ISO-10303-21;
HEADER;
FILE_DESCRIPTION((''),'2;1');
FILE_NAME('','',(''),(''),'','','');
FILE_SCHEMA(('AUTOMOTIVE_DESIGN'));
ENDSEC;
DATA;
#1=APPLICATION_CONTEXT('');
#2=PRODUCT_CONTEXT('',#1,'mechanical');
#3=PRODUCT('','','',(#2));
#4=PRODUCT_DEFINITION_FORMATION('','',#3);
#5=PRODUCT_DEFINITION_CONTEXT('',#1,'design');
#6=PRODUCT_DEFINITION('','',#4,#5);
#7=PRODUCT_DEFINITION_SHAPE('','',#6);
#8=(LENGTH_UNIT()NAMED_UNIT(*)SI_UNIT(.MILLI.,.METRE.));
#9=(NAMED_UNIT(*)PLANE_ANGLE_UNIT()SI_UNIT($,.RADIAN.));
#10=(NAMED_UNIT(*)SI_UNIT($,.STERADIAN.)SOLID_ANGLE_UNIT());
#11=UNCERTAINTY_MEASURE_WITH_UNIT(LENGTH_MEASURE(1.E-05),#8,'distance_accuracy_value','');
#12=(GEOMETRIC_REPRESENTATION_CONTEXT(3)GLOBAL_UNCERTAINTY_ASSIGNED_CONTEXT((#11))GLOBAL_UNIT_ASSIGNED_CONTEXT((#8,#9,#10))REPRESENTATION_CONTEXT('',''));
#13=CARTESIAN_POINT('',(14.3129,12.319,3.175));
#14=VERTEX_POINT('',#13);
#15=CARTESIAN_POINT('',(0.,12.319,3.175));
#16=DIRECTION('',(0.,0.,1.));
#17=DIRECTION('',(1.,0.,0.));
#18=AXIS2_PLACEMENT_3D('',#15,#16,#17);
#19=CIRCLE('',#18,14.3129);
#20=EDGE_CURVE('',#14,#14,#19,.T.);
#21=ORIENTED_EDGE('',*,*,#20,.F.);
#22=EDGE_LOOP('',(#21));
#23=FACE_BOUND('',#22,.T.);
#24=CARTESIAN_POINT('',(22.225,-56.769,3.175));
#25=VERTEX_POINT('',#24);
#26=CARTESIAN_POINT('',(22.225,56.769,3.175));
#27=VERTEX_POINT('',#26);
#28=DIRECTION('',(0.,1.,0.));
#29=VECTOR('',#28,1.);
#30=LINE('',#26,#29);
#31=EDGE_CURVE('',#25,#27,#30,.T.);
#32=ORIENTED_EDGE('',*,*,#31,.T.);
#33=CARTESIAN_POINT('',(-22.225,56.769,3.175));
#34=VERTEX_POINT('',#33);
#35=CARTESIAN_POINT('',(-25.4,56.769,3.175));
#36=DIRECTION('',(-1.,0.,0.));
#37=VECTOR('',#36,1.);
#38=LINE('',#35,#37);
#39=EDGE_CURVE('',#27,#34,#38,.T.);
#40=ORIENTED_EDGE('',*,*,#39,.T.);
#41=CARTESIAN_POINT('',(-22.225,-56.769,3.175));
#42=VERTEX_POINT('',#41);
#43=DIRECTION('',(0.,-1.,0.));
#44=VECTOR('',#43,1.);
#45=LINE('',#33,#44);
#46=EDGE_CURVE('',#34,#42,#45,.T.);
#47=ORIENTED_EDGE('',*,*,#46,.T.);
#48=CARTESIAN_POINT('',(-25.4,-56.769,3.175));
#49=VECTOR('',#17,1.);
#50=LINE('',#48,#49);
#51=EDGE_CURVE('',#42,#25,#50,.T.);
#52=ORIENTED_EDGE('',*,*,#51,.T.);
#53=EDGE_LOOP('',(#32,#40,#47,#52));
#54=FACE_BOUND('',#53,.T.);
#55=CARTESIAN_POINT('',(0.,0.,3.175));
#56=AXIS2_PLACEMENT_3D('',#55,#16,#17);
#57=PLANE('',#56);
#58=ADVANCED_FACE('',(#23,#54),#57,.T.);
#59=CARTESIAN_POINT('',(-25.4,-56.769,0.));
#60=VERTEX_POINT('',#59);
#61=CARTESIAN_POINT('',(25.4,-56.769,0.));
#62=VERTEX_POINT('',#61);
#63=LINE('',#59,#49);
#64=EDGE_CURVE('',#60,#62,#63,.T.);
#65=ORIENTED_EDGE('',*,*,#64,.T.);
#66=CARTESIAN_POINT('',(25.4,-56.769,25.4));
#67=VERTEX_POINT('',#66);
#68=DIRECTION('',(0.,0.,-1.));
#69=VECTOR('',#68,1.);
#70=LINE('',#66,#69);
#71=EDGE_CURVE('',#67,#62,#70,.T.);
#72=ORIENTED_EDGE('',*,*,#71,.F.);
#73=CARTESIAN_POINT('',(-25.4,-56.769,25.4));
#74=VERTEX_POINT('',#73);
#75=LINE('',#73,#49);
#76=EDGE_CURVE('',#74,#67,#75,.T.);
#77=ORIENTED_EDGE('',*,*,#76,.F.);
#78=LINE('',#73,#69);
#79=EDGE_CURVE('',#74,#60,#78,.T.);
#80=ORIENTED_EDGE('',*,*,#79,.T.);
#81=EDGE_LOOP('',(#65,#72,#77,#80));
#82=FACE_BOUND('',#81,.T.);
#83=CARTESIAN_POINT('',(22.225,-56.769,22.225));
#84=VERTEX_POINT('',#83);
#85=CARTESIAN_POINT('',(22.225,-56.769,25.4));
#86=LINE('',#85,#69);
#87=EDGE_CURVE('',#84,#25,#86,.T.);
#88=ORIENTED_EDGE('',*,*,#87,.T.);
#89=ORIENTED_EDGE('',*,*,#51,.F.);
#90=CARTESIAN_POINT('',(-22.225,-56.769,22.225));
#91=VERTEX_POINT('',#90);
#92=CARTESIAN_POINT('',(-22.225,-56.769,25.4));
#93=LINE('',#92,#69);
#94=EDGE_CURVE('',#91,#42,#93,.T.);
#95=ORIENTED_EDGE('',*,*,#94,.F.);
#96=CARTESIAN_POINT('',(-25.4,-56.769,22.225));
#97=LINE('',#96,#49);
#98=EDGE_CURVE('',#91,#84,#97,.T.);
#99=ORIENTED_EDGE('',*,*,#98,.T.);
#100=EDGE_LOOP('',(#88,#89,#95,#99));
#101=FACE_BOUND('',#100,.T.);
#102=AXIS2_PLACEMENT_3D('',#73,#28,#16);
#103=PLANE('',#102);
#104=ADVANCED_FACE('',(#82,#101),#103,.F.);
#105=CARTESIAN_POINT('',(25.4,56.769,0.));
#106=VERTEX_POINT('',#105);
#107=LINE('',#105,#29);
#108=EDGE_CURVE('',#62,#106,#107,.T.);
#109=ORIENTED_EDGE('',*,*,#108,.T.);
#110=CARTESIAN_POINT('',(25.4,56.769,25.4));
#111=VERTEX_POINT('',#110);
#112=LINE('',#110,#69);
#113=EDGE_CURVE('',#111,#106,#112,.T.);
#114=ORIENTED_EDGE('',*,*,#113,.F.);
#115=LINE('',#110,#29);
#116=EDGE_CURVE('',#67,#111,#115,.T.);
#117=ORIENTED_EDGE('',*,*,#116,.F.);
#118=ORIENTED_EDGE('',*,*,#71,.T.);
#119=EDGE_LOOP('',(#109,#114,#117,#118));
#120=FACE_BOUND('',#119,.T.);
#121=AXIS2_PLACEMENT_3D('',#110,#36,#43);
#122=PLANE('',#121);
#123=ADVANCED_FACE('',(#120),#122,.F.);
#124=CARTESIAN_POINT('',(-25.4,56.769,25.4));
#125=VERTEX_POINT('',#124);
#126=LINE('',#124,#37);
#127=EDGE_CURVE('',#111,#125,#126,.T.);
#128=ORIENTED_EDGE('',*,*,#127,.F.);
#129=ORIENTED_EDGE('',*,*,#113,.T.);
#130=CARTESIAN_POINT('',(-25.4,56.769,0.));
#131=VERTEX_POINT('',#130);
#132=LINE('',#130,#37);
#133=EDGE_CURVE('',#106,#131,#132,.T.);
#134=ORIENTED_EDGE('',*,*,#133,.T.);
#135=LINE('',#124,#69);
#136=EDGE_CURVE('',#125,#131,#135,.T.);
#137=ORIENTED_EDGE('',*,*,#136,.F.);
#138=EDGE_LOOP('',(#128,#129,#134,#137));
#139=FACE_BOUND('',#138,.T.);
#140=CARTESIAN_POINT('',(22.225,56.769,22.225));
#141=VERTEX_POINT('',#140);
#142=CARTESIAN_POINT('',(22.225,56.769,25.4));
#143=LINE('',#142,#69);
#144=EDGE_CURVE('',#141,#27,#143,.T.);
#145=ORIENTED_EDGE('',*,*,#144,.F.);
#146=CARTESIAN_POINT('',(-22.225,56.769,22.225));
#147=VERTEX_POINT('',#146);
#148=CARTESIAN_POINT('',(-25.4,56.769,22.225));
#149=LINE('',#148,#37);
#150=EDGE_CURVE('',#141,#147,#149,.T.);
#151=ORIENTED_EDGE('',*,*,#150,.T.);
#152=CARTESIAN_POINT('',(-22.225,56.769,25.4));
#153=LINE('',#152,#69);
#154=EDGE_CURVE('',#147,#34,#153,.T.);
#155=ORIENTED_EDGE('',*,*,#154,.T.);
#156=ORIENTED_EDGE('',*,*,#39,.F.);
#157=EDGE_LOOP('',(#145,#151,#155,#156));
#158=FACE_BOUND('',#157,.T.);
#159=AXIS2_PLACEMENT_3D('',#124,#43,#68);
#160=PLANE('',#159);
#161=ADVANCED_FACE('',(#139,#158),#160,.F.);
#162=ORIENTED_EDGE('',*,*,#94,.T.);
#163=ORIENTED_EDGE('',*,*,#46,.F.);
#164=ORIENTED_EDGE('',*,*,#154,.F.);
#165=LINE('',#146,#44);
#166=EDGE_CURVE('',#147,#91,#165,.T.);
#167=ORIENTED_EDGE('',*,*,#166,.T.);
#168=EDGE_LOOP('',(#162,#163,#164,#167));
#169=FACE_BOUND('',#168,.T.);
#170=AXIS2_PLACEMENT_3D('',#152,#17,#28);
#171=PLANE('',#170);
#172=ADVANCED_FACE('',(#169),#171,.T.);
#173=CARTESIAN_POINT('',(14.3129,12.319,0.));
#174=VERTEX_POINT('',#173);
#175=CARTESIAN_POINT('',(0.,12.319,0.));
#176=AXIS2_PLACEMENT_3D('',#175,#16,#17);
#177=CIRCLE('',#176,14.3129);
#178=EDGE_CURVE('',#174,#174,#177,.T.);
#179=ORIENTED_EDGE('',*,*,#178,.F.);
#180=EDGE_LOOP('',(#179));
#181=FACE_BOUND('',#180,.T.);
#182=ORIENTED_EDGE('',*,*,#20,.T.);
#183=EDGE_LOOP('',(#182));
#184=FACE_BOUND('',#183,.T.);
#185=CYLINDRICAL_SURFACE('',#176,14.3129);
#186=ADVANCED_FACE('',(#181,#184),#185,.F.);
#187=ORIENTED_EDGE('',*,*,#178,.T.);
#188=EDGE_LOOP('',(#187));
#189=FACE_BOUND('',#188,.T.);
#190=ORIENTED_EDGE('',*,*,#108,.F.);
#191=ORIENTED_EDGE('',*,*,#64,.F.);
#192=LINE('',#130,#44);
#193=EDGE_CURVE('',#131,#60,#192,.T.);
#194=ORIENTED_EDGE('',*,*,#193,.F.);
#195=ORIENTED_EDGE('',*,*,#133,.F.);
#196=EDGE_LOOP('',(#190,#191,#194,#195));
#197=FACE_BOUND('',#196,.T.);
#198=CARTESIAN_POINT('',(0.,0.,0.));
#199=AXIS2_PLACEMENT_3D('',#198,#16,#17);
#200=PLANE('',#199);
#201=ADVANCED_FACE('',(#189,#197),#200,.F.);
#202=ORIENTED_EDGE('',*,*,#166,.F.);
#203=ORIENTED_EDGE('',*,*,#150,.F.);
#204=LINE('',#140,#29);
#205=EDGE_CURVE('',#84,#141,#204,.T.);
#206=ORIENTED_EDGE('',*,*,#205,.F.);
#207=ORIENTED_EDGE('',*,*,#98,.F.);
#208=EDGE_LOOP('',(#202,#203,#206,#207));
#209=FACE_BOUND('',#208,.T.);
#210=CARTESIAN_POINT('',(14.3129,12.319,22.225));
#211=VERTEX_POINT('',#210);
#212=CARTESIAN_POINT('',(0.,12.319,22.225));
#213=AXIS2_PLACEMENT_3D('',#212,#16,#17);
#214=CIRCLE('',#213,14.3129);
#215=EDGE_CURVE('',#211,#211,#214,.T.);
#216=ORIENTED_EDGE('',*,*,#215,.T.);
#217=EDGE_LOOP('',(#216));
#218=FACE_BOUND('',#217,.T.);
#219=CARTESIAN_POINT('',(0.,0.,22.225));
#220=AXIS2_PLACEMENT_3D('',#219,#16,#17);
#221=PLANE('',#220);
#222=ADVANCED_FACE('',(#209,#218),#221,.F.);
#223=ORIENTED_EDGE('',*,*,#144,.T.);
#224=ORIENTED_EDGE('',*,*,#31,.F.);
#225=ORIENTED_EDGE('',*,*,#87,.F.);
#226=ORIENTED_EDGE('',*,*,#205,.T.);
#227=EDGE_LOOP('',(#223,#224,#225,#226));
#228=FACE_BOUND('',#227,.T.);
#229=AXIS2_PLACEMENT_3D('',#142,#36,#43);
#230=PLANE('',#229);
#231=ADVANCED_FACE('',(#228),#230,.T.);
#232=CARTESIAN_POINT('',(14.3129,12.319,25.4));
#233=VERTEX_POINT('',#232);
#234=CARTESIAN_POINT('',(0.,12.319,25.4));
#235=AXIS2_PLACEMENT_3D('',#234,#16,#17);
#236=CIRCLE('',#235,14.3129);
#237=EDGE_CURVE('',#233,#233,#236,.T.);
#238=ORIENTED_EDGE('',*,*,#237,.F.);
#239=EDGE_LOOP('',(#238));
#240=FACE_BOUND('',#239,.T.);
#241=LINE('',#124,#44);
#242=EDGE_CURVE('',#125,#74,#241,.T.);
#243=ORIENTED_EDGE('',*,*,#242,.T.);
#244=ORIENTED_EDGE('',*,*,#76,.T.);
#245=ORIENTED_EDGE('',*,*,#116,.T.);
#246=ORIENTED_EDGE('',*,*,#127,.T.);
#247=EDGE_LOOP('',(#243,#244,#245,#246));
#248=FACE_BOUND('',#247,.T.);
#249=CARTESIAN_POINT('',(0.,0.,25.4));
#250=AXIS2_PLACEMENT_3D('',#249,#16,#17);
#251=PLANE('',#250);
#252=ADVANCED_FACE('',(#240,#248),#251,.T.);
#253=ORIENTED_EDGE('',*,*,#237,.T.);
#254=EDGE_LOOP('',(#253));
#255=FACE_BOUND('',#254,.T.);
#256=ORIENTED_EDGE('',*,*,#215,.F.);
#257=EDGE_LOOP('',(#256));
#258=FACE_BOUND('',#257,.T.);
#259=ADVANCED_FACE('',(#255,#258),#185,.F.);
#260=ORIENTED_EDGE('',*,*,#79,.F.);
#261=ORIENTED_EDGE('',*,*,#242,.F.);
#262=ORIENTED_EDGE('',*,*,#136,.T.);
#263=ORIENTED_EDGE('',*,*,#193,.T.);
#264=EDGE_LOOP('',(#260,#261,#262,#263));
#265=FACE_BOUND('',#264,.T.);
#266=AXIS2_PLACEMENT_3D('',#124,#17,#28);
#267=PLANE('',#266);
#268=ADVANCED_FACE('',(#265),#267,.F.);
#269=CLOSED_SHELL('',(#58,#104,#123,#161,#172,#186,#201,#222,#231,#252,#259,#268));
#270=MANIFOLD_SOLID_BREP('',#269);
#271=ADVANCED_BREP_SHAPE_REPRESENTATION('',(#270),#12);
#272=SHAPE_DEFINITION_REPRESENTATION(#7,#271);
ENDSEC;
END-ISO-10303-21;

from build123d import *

# Parameters (mm, degrees)
SKETCH1_W           = 50.8
SKETCH1_H           = 113.538
BOSS_EXTRUDE1_DEPTH = 25.4
SHELL1_T            = -3.175
SKETCH2_R           = 14.3129
CUT_EXTRUDE1_DEPTH  = 25.4


with BuildPart() as part:
    # Sketch1 → Boss-Extrude1 (new body)
    with BuildSketch(Plane.XY):
        Rectangle(SKETCH1_W, SKETCH1_H)
    extrude(amount=BOSS_EXTRUDE1_DEPTH)

    # Shell1
    shell1_openings = [part.faces().sort_by_distance(p)[0] for p in [
        (0, -56.769, 12.7),
        (0, 56.769, 12.7),
    ]]
    offset(amount=SHELL1_T, openings=shell1_openings, kind=Kind.INTERSECTION)

    # Sketch2 → Cut-Extrude1 (cut)
    with BuildSketch(Plane.XY.offset(25.4)):
        with Locations((0, 12.319)):
            Circle(SKETCH2_R)
    extrude(amount=-CUT_EXTRUDE1_DEPTH, mode=Mode.SUBTRACT)


solid = part.part
